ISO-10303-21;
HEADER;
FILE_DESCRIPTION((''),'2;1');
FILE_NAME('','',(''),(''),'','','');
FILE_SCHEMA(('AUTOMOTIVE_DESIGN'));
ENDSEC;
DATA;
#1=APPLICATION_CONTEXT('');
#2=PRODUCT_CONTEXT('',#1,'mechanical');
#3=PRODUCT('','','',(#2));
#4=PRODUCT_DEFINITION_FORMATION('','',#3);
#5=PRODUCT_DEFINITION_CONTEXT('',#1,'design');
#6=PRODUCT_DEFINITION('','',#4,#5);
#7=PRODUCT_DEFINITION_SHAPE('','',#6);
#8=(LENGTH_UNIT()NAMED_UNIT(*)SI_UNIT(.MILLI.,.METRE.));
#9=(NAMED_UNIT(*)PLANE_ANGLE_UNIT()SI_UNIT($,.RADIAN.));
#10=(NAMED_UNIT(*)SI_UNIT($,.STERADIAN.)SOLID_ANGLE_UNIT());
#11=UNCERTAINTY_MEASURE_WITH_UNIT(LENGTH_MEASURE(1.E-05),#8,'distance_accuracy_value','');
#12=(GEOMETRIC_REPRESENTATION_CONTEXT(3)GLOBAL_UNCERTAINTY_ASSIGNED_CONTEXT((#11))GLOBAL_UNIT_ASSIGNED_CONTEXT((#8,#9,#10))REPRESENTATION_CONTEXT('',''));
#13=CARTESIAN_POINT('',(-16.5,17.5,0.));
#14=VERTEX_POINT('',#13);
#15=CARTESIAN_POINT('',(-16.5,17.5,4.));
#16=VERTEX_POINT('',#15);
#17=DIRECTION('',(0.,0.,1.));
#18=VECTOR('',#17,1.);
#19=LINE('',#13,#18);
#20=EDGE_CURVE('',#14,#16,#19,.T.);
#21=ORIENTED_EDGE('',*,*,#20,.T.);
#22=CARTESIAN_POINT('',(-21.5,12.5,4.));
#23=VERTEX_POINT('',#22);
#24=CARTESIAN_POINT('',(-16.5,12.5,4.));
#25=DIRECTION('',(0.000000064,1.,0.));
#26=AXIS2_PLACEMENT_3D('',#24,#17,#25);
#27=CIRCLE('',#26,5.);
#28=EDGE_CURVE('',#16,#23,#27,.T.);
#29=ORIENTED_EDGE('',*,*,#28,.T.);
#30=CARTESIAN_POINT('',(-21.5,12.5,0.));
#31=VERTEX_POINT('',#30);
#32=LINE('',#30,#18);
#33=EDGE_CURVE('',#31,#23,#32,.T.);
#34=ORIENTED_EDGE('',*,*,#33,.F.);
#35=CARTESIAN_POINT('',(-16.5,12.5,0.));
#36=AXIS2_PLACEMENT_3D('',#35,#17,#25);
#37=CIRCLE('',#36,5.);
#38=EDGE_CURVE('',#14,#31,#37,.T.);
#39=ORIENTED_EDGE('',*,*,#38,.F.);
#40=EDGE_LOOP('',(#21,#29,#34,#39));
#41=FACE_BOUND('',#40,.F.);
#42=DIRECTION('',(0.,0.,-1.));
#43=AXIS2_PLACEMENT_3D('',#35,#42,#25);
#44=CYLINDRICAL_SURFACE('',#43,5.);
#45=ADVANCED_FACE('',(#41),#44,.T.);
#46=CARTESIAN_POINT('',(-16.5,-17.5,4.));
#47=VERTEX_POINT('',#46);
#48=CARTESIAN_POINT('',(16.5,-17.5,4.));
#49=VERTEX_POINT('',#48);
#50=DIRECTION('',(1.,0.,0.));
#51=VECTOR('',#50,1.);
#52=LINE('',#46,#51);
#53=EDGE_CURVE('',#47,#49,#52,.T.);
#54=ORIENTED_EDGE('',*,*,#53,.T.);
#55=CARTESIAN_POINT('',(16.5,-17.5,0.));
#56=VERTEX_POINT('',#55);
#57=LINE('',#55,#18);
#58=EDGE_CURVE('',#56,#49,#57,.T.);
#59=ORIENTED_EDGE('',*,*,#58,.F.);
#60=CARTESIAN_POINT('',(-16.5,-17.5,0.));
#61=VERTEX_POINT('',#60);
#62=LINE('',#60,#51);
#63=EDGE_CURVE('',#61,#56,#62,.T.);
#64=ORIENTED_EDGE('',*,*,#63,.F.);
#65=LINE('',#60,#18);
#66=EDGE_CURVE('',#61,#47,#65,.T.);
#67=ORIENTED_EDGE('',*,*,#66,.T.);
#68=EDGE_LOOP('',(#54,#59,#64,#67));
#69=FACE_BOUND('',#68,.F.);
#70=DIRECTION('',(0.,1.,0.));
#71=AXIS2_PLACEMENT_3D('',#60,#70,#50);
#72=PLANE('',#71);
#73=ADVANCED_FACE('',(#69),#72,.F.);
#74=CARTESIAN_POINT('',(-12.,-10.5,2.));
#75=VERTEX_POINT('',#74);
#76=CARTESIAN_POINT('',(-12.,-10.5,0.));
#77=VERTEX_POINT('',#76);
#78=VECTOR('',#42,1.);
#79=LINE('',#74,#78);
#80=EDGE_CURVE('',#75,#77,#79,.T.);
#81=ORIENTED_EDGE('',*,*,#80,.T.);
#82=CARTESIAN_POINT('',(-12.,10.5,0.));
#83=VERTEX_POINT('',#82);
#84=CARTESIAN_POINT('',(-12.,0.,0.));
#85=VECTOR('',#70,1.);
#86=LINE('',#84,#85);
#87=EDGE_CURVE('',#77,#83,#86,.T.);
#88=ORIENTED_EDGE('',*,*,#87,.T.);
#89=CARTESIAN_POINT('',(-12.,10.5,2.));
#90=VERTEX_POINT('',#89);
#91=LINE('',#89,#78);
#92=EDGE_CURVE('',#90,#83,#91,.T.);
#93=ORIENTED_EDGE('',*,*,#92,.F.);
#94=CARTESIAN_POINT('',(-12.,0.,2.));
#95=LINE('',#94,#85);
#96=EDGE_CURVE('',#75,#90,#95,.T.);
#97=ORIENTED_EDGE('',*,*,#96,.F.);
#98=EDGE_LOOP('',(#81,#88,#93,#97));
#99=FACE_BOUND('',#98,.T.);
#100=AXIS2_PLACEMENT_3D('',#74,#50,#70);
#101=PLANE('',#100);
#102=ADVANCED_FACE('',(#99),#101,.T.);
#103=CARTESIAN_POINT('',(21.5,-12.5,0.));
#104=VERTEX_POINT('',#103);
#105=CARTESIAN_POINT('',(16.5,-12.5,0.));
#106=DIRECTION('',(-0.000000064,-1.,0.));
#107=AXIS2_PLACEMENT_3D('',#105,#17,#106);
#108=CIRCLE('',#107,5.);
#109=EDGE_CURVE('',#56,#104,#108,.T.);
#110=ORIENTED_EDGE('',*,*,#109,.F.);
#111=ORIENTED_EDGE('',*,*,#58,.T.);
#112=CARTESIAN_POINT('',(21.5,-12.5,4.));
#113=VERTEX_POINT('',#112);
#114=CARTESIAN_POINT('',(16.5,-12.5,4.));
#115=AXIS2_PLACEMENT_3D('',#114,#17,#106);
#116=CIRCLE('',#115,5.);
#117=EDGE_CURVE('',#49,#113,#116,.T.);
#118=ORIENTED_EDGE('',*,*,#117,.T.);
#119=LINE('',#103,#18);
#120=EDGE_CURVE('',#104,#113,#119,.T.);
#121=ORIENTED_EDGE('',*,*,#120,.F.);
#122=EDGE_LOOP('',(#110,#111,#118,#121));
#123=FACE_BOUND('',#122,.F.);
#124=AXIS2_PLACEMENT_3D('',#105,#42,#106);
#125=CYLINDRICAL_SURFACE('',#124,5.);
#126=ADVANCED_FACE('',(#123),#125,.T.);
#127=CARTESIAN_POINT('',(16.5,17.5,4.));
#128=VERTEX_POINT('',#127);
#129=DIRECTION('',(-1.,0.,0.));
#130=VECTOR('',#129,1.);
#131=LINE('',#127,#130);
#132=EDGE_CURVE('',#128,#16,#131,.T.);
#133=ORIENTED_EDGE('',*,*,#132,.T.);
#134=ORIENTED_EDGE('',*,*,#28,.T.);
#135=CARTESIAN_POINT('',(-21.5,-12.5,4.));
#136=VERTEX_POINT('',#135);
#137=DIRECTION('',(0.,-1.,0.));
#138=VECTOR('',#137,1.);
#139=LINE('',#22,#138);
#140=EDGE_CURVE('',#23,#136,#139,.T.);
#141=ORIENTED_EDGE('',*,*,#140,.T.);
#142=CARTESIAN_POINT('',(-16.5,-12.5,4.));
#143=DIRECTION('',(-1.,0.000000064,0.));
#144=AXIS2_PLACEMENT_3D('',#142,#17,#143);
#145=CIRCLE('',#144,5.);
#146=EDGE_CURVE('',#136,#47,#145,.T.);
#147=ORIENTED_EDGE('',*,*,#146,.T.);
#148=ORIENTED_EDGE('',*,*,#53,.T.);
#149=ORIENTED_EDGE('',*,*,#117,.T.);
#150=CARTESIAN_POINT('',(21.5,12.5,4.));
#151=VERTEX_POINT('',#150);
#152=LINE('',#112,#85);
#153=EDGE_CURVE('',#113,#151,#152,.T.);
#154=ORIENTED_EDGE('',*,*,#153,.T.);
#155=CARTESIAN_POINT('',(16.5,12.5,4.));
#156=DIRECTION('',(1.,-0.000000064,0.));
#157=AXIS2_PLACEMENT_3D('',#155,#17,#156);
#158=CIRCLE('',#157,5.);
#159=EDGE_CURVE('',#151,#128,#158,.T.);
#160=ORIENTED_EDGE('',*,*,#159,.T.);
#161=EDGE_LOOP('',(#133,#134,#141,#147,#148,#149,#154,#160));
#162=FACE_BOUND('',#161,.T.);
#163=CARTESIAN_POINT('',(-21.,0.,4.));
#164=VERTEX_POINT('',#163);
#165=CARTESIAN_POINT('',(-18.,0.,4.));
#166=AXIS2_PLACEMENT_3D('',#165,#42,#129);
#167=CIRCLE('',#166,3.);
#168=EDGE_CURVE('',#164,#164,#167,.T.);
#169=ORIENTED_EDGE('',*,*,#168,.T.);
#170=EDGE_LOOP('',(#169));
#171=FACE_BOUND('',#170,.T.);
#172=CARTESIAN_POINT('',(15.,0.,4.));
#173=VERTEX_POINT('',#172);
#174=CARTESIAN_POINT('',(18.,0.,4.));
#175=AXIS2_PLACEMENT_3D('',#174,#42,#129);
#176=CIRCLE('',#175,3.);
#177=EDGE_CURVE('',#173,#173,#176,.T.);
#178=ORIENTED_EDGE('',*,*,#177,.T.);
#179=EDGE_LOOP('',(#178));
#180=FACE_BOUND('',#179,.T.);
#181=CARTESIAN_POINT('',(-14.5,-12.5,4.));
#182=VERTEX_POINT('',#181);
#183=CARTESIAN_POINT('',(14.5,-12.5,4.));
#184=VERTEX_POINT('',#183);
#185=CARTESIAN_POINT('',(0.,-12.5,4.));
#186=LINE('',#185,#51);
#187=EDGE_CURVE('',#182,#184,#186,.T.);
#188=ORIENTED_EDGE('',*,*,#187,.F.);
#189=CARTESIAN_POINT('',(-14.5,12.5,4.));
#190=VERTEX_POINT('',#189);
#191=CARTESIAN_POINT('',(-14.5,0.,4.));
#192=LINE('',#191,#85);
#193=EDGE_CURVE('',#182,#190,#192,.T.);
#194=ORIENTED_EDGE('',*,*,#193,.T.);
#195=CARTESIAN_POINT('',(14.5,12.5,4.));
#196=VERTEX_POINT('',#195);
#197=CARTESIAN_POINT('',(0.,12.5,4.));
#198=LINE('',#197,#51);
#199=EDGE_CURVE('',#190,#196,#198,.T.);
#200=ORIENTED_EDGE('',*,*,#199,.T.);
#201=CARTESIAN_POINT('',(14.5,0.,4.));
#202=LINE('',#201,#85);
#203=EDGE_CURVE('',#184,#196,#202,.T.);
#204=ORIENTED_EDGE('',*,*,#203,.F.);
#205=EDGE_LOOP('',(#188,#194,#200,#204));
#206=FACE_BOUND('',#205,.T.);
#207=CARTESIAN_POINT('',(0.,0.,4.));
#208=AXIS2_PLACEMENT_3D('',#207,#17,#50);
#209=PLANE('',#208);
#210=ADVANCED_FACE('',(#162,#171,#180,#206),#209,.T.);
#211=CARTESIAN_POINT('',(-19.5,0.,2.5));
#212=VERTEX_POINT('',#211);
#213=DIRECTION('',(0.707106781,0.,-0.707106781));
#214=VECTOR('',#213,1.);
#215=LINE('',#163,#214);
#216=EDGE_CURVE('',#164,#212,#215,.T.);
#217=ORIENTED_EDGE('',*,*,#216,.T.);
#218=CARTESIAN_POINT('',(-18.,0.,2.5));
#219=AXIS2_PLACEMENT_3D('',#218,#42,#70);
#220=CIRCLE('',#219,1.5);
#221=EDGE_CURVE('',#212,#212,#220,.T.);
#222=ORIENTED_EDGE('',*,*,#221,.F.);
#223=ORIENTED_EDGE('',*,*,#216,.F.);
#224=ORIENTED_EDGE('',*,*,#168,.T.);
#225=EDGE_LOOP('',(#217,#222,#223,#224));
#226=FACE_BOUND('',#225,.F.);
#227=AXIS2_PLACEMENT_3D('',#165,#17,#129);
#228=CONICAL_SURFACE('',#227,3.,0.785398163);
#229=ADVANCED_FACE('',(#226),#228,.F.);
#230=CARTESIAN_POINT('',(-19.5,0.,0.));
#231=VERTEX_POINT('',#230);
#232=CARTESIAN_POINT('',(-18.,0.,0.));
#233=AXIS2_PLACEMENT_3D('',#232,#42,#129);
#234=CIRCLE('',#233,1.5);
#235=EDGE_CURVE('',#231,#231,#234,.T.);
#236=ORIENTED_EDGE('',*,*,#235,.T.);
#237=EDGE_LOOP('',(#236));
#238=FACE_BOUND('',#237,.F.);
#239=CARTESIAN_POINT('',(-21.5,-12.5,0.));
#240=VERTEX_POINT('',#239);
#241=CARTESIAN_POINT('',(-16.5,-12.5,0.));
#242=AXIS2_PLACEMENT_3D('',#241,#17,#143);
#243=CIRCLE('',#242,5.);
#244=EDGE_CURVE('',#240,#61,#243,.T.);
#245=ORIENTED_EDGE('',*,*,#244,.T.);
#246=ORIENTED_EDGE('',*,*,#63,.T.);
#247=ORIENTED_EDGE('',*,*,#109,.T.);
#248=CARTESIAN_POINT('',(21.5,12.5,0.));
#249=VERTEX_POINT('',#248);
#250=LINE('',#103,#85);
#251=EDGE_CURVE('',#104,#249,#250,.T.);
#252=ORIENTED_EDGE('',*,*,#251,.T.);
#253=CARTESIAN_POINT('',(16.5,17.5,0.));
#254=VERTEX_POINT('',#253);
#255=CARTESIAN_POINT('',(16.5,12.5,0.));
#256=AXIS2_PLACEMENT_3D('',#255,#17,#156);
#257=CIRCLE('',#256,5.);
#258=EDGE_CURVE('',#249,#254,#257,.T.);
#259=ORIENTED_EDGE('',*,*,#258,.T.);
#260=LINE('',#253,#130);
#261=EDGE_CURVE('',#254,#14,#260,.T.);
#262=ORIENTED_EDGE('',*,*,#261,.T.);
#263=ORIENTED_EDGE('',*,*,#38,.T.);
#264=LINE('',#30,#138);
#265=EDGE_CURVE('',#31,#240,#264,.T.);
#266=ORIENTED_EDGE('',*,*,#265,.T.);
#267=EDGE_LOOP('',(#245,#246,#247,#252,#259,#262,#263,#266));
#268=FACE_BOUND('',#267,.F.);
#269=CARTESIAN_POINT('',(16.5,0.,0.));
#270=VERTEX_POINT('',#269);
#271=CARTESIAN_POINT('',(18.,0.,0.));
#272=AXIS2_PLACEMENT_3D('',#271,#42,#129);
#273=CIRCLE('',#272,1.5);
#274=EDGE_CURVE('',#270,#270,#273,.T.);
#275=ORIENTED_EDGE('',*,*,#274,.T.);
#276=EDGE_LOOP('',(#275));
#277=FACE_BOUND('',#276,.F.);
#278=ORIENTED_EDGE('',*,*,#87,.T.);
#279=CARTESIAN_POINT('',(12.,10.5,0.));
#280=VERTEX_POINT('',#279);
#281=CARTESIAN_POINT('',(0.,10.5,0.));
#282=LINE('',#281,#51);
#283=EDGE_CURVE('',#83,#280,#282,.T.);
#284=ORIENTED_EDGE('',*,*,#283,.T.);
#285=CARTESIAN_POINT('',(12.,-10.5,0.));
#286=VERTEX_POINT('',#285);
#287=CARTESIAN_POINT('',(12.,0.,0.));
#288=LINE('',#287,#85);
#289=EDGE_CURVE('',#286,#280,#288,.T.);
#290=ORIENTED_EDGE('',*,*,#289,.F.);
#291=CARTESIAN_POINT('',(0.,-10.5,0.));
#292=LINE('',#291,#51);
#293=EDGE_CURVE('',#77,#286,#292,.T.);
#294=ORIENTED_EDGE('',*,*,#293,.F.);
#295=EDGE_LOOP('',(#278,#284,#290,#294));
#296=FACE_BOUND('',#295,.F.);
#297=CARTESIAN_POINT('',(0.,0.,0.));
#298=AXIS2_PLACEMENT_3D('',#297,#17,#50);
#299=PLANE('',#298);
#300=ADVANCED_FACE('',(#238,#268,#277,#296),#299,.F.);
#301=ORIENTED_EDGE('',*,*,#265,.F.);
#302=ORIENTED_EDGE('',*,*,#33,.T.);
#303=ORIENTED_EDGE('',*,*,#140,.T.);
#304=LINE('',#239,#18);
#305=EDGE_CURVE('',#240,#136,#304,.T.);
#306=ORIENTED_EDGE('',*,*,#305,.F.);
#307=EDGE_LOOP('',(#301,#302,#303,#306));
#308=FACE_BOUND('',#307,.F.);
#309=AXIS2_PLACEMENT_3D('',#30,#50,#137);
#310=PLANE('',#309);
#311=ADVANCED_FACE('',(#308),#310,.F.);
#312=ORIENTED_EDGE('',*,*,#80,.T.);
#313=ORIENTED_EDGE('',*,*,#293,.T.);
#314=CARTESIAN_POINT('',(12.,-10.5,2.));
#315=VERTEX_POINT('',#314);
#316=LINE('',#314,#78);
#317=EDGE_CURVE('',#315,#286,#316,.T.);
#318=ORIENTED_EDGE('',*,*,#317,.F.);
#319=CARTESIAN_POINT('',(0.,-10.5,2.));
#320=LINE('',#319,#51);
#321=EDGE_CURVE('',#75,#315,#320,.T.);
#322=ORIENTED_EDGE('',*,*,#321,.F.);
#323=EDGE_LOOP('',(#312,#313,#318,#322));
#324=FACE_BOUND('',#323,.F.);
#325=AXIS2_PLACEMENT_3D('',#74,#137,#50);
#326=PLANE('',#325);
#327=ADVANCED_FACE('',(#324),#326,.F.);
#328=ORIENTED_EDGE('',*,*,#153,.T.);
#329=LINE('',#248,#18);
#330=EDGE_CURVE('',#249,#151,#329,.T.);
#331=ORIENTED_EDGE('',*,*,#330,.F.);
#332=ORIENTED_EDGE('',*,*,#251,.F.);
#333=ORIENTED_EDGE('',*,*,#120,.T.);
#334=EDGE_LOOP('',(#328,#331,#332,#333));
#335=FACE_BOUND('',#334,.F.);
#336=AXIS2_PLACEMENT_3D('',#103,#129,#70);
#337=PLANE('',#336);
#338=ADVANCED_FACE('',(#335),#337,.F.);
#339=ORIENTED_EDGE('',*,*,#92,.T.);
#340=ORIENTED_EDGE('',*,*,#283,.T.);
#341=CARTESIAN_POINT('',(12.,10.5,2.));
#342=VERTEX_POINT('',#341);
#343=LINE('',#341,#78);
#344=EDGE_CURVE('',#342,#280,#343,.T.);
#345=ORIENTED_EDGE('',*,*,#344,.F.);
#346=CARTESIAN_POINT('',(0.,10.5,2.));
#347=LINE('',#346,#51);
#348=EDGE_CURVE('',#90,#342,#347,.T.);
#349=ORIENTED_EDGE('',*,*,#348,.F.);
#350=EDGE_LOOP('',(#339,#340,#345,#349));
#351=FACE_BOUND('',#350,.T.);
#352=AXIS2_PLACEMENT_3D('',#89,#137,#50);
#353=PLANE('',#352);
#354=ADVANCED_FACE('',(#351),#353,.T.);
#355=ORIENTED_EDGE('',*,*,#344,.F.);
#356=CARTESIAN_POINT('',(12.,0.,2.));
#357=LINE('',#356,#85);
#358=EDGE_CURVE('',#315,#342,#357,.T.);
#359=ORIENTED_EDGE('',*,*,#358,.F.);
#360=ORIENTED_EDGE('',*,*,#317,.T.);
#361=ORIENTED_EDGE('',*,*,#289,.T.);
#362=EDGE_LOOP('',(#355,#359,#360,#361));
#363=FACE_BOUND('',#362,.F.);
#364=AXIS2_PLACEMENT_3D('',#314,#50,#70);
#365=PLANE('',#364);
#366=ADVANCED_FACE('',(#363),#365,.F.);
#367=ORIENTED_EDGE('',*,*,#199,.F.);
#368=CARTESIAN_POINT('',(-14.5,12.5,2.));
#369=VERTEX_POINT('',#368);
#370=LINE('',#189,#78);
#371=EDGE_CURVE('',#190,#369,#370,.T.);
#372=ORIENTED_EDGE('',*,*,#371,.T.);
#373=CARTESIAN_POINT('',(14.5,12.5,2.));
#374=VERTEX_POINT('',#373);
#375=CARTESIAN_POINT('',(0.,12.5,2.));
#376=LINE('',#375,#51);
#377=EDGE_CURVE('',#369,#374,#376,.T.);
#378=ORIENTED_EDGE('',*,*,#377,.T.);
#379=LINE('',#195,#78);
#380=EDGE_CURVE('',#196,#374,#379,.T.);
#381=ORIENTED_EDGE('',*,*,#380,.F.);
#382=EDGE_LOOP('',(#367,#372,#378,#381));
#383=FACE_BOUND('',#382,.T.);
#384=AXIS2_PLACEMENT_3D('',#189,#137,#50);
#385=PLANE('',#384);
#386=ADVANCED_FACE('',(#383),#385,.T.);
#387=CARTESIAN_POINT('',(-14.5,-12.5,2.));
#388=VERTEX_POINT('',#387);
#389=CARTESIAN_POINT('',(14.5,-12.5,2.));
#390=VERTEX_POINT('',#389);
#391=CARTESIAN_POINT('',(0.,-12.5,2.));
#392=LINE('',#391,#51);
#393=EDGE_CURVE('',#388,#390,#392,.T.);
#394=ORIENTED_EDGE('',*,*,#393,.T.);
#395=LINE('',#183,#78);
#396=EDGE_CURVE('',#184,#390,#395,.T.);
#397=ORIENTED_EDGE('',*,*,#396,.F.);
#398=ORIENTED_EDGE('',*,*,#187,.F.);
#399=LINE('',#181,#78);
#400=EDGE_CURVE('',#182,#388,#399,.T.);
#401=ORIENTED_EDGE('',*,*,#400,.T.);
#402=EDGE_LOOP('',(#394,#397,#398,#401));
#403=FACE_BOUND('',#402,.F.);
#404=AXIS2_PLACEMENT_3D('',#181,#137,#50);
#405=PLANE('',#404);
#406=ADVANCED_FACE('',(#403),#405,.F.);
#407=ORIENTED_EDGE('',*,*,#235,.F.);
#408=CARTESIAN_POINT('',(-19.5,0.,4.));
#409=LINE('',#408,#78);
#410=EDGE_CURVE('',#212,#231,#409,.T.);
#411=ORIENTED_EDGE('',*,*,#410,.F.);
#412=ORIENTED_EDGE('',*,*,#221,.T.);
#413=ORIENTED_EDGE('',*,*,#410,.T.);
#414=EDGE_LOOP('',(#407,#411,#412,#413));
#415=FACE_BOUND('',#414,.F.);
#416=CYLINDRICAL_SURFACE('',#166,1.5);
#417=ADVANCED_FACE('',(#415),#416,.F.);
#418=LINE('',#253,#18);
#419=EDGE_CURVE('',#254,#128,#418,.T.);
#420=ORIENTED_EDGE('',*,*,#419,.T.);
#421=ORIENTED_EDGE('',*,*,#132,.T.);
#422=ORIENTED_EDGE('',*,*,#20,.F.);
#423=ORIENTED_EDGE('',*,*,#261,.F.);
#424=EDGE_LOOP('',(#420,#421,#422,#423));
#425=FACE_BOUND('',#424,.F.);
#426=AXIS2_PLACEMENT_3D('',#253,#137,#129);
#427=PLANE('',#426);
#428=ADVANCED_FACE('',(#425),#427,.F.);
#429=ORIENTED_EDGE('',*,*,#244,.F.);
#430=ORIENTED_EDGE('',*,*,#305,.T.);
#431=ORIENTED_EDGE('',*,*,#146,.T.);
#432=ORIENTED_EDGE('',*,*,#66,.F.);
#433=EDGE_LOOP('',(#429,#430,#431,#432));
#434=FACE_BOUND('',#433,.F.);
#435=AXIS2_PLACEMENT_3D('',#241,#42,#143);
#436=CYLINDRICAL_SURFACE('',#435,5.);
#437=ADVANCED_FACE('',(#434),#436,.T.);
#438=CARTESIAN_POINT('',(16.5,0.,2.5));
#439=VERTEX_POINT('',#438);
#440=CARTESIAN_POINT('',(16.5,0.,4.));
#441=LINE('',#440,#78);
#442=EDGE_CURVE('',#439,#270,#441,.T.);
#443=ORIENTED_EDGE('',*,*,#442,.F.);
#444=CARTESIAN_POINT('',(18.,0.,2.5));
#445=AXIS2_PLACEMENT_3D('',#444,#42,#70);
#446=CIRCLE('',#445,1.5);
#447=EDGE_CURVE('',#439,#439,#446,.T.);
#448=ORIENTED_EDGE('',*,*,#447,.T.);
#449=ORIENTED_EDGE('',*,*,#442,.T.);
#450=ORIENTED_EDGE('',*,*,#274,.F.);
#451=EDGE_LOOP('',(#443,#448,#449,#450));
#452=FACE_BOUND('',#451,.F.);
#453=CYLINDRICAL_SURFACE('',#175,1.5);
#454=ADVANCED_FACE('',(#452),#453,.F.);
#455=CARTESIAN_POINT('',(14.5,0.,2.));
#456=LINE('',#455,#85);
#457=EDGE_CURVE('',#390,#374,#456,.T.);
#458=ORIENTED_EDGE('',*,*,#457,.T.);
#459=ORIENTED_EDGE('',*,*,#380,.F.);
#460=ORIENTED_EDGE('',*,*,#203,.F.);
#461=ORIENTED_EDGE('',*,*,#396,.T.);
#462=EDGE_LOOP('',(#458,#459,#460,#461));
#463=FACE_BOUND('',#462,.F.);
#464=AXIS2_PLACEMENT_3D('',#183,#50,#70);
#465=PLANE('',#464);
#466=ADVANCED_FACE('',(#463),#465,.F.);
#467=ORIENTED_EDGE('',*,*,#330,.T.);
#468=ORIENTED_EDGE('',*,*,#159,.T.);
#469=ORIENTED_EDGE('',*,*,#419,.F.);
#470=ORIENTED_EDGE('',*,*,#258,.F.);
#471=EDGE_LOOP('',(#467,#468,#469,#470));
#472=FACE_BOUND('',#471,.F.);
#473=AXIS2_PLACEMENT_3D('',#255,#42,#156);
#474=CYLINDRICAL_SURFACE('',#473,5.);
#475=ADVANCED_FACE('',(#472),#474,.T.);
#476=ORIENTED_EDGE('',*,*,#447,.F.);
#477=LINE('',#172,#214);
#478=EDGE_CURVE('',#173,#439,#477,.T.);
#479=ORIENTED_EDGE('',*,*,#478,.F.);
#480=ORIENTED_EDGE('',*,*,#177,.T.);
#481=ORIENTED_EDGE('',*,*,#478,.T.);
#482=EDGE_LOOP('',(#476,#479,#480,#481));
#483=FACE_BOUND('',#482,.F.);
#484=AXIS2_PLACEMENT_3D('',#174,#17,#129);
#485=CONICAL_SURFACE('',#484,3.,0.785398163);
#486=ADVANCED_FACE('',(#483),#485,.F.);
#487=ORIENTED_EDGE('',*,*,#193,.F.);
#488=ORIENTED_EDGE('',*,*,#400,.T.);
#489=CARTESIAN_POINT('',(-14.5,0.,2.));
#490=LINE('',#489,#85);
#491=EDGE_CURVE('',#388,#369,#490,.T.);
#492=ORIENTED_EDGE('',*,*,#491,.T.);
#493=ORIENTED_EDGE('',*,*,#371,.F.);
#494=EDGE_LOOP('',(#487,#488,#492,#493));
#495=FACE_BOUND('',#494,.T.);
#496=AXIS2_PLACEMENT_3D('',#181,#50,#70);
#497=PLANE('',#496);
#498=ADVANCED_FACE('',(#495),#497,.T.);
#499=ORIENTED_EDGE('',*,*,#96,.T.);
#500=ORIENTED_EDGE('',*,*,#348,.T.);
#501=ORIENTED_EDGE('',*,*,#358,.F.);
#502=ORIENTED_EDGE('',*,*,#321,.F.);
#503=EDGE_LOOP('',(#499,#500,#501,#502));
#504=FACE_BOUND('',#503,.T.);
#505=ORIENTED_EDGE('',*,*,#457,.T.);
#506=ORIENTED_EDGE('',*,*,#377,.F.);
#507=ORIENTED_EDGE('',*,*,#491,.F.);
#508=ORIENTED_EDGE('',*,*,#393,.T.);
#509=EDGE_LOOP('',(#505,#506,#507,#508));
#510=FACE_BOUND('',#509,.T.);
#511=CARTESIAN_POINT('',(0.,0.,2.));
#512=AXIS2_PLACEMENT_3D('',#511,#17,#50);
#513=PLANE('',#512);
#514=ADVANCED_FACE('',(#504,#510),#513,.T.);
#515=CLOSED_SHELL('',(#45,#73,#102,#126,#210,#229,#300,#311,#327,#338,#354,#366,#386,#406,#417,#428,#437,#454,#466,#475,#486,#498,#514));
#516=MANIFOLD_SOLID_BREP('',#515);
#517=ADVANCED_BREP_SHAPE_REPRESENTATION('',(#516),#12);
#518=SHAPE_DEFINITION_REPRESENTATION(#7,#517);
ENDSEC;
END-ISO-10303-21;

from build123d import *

# Parameters (mm, degrees)
F1_DEPTH       = 4
F2_W           = 29
F2_H           = 25
F3_DEPTH       = 2
F4_W           = 24
F4_H           = 21
F5_DEPTH       = 2
F7_D           = 3
F7_CSINK_D     = 6
F7_CSINK_ANGLE = 90
F8_D           = 3
F8_CSINK_D     = 6
F8_CSINK_ANGLE = 90


with BuildPart() as f1:
    # F0 (on Top) → F1 (new body)
    with BuildSketch(Plane.XY):
        with BuildLine():
            Line((-16.5, -17.5), (16.5, -17.5))
            ThreePointArc((16.5, -17.5), (20.035534, -16.035534), (21.5, -12.5))
            Line((21.5, -12.5), (21.5, 12.5))
            ThreePointArc((21.5, 12.5), (20.035534, 16.035534), (16.5, 17.5))
            Line((16.5, 17.5), (-16.5, 17.5))
            ThreePointArc((-16.5, 17.5), (-20.035534, 16.035534), (-21.5, 12.5))
            Line((-21.5, 12.5), (-21.5, -12.5))
            ThreePointArc((-21.5, -12.5), (-20.035534, -16.035534), (-16.5, -17.5))
        make_face()
    extrude(amount=F1_DEPTH)

    # F2 (on face) → F3 (cut)
    with BuildSketch(Plane.XY.offset(4)):
        Rectangle(F2_W, F2_H)
    extrude(amount=-F3_DEPTH, mode=Mode.SUBTRACT)

    # F4 (on face) → F5 (cut)
    with BuildSketch(Plane.XY.offset(2)):
        Rectangle(F4_W, F4_H)
    extrude(amount=-F5_DEPTH, mode=Mode.SUBTRACT)

    # F7 (through all)
    with Locations(Plane.XY.offset(4)):
        with Locations((-18, 0)):
            CounterSinkHole(F7_D / 2, F7_CSINK_D / 2, counter_sink_angle=F7_CSINK_ANGLE)

    # F8 (through all)
    with Locations(Plane.XY.offset(4)):
        with Locations((18, 0)):
            CounterSinkHole(F8_D / 2, F8_CSINK_D / 2, counter_sink_angle=F8_CSINK_ANGLE)


solid = f1.part
